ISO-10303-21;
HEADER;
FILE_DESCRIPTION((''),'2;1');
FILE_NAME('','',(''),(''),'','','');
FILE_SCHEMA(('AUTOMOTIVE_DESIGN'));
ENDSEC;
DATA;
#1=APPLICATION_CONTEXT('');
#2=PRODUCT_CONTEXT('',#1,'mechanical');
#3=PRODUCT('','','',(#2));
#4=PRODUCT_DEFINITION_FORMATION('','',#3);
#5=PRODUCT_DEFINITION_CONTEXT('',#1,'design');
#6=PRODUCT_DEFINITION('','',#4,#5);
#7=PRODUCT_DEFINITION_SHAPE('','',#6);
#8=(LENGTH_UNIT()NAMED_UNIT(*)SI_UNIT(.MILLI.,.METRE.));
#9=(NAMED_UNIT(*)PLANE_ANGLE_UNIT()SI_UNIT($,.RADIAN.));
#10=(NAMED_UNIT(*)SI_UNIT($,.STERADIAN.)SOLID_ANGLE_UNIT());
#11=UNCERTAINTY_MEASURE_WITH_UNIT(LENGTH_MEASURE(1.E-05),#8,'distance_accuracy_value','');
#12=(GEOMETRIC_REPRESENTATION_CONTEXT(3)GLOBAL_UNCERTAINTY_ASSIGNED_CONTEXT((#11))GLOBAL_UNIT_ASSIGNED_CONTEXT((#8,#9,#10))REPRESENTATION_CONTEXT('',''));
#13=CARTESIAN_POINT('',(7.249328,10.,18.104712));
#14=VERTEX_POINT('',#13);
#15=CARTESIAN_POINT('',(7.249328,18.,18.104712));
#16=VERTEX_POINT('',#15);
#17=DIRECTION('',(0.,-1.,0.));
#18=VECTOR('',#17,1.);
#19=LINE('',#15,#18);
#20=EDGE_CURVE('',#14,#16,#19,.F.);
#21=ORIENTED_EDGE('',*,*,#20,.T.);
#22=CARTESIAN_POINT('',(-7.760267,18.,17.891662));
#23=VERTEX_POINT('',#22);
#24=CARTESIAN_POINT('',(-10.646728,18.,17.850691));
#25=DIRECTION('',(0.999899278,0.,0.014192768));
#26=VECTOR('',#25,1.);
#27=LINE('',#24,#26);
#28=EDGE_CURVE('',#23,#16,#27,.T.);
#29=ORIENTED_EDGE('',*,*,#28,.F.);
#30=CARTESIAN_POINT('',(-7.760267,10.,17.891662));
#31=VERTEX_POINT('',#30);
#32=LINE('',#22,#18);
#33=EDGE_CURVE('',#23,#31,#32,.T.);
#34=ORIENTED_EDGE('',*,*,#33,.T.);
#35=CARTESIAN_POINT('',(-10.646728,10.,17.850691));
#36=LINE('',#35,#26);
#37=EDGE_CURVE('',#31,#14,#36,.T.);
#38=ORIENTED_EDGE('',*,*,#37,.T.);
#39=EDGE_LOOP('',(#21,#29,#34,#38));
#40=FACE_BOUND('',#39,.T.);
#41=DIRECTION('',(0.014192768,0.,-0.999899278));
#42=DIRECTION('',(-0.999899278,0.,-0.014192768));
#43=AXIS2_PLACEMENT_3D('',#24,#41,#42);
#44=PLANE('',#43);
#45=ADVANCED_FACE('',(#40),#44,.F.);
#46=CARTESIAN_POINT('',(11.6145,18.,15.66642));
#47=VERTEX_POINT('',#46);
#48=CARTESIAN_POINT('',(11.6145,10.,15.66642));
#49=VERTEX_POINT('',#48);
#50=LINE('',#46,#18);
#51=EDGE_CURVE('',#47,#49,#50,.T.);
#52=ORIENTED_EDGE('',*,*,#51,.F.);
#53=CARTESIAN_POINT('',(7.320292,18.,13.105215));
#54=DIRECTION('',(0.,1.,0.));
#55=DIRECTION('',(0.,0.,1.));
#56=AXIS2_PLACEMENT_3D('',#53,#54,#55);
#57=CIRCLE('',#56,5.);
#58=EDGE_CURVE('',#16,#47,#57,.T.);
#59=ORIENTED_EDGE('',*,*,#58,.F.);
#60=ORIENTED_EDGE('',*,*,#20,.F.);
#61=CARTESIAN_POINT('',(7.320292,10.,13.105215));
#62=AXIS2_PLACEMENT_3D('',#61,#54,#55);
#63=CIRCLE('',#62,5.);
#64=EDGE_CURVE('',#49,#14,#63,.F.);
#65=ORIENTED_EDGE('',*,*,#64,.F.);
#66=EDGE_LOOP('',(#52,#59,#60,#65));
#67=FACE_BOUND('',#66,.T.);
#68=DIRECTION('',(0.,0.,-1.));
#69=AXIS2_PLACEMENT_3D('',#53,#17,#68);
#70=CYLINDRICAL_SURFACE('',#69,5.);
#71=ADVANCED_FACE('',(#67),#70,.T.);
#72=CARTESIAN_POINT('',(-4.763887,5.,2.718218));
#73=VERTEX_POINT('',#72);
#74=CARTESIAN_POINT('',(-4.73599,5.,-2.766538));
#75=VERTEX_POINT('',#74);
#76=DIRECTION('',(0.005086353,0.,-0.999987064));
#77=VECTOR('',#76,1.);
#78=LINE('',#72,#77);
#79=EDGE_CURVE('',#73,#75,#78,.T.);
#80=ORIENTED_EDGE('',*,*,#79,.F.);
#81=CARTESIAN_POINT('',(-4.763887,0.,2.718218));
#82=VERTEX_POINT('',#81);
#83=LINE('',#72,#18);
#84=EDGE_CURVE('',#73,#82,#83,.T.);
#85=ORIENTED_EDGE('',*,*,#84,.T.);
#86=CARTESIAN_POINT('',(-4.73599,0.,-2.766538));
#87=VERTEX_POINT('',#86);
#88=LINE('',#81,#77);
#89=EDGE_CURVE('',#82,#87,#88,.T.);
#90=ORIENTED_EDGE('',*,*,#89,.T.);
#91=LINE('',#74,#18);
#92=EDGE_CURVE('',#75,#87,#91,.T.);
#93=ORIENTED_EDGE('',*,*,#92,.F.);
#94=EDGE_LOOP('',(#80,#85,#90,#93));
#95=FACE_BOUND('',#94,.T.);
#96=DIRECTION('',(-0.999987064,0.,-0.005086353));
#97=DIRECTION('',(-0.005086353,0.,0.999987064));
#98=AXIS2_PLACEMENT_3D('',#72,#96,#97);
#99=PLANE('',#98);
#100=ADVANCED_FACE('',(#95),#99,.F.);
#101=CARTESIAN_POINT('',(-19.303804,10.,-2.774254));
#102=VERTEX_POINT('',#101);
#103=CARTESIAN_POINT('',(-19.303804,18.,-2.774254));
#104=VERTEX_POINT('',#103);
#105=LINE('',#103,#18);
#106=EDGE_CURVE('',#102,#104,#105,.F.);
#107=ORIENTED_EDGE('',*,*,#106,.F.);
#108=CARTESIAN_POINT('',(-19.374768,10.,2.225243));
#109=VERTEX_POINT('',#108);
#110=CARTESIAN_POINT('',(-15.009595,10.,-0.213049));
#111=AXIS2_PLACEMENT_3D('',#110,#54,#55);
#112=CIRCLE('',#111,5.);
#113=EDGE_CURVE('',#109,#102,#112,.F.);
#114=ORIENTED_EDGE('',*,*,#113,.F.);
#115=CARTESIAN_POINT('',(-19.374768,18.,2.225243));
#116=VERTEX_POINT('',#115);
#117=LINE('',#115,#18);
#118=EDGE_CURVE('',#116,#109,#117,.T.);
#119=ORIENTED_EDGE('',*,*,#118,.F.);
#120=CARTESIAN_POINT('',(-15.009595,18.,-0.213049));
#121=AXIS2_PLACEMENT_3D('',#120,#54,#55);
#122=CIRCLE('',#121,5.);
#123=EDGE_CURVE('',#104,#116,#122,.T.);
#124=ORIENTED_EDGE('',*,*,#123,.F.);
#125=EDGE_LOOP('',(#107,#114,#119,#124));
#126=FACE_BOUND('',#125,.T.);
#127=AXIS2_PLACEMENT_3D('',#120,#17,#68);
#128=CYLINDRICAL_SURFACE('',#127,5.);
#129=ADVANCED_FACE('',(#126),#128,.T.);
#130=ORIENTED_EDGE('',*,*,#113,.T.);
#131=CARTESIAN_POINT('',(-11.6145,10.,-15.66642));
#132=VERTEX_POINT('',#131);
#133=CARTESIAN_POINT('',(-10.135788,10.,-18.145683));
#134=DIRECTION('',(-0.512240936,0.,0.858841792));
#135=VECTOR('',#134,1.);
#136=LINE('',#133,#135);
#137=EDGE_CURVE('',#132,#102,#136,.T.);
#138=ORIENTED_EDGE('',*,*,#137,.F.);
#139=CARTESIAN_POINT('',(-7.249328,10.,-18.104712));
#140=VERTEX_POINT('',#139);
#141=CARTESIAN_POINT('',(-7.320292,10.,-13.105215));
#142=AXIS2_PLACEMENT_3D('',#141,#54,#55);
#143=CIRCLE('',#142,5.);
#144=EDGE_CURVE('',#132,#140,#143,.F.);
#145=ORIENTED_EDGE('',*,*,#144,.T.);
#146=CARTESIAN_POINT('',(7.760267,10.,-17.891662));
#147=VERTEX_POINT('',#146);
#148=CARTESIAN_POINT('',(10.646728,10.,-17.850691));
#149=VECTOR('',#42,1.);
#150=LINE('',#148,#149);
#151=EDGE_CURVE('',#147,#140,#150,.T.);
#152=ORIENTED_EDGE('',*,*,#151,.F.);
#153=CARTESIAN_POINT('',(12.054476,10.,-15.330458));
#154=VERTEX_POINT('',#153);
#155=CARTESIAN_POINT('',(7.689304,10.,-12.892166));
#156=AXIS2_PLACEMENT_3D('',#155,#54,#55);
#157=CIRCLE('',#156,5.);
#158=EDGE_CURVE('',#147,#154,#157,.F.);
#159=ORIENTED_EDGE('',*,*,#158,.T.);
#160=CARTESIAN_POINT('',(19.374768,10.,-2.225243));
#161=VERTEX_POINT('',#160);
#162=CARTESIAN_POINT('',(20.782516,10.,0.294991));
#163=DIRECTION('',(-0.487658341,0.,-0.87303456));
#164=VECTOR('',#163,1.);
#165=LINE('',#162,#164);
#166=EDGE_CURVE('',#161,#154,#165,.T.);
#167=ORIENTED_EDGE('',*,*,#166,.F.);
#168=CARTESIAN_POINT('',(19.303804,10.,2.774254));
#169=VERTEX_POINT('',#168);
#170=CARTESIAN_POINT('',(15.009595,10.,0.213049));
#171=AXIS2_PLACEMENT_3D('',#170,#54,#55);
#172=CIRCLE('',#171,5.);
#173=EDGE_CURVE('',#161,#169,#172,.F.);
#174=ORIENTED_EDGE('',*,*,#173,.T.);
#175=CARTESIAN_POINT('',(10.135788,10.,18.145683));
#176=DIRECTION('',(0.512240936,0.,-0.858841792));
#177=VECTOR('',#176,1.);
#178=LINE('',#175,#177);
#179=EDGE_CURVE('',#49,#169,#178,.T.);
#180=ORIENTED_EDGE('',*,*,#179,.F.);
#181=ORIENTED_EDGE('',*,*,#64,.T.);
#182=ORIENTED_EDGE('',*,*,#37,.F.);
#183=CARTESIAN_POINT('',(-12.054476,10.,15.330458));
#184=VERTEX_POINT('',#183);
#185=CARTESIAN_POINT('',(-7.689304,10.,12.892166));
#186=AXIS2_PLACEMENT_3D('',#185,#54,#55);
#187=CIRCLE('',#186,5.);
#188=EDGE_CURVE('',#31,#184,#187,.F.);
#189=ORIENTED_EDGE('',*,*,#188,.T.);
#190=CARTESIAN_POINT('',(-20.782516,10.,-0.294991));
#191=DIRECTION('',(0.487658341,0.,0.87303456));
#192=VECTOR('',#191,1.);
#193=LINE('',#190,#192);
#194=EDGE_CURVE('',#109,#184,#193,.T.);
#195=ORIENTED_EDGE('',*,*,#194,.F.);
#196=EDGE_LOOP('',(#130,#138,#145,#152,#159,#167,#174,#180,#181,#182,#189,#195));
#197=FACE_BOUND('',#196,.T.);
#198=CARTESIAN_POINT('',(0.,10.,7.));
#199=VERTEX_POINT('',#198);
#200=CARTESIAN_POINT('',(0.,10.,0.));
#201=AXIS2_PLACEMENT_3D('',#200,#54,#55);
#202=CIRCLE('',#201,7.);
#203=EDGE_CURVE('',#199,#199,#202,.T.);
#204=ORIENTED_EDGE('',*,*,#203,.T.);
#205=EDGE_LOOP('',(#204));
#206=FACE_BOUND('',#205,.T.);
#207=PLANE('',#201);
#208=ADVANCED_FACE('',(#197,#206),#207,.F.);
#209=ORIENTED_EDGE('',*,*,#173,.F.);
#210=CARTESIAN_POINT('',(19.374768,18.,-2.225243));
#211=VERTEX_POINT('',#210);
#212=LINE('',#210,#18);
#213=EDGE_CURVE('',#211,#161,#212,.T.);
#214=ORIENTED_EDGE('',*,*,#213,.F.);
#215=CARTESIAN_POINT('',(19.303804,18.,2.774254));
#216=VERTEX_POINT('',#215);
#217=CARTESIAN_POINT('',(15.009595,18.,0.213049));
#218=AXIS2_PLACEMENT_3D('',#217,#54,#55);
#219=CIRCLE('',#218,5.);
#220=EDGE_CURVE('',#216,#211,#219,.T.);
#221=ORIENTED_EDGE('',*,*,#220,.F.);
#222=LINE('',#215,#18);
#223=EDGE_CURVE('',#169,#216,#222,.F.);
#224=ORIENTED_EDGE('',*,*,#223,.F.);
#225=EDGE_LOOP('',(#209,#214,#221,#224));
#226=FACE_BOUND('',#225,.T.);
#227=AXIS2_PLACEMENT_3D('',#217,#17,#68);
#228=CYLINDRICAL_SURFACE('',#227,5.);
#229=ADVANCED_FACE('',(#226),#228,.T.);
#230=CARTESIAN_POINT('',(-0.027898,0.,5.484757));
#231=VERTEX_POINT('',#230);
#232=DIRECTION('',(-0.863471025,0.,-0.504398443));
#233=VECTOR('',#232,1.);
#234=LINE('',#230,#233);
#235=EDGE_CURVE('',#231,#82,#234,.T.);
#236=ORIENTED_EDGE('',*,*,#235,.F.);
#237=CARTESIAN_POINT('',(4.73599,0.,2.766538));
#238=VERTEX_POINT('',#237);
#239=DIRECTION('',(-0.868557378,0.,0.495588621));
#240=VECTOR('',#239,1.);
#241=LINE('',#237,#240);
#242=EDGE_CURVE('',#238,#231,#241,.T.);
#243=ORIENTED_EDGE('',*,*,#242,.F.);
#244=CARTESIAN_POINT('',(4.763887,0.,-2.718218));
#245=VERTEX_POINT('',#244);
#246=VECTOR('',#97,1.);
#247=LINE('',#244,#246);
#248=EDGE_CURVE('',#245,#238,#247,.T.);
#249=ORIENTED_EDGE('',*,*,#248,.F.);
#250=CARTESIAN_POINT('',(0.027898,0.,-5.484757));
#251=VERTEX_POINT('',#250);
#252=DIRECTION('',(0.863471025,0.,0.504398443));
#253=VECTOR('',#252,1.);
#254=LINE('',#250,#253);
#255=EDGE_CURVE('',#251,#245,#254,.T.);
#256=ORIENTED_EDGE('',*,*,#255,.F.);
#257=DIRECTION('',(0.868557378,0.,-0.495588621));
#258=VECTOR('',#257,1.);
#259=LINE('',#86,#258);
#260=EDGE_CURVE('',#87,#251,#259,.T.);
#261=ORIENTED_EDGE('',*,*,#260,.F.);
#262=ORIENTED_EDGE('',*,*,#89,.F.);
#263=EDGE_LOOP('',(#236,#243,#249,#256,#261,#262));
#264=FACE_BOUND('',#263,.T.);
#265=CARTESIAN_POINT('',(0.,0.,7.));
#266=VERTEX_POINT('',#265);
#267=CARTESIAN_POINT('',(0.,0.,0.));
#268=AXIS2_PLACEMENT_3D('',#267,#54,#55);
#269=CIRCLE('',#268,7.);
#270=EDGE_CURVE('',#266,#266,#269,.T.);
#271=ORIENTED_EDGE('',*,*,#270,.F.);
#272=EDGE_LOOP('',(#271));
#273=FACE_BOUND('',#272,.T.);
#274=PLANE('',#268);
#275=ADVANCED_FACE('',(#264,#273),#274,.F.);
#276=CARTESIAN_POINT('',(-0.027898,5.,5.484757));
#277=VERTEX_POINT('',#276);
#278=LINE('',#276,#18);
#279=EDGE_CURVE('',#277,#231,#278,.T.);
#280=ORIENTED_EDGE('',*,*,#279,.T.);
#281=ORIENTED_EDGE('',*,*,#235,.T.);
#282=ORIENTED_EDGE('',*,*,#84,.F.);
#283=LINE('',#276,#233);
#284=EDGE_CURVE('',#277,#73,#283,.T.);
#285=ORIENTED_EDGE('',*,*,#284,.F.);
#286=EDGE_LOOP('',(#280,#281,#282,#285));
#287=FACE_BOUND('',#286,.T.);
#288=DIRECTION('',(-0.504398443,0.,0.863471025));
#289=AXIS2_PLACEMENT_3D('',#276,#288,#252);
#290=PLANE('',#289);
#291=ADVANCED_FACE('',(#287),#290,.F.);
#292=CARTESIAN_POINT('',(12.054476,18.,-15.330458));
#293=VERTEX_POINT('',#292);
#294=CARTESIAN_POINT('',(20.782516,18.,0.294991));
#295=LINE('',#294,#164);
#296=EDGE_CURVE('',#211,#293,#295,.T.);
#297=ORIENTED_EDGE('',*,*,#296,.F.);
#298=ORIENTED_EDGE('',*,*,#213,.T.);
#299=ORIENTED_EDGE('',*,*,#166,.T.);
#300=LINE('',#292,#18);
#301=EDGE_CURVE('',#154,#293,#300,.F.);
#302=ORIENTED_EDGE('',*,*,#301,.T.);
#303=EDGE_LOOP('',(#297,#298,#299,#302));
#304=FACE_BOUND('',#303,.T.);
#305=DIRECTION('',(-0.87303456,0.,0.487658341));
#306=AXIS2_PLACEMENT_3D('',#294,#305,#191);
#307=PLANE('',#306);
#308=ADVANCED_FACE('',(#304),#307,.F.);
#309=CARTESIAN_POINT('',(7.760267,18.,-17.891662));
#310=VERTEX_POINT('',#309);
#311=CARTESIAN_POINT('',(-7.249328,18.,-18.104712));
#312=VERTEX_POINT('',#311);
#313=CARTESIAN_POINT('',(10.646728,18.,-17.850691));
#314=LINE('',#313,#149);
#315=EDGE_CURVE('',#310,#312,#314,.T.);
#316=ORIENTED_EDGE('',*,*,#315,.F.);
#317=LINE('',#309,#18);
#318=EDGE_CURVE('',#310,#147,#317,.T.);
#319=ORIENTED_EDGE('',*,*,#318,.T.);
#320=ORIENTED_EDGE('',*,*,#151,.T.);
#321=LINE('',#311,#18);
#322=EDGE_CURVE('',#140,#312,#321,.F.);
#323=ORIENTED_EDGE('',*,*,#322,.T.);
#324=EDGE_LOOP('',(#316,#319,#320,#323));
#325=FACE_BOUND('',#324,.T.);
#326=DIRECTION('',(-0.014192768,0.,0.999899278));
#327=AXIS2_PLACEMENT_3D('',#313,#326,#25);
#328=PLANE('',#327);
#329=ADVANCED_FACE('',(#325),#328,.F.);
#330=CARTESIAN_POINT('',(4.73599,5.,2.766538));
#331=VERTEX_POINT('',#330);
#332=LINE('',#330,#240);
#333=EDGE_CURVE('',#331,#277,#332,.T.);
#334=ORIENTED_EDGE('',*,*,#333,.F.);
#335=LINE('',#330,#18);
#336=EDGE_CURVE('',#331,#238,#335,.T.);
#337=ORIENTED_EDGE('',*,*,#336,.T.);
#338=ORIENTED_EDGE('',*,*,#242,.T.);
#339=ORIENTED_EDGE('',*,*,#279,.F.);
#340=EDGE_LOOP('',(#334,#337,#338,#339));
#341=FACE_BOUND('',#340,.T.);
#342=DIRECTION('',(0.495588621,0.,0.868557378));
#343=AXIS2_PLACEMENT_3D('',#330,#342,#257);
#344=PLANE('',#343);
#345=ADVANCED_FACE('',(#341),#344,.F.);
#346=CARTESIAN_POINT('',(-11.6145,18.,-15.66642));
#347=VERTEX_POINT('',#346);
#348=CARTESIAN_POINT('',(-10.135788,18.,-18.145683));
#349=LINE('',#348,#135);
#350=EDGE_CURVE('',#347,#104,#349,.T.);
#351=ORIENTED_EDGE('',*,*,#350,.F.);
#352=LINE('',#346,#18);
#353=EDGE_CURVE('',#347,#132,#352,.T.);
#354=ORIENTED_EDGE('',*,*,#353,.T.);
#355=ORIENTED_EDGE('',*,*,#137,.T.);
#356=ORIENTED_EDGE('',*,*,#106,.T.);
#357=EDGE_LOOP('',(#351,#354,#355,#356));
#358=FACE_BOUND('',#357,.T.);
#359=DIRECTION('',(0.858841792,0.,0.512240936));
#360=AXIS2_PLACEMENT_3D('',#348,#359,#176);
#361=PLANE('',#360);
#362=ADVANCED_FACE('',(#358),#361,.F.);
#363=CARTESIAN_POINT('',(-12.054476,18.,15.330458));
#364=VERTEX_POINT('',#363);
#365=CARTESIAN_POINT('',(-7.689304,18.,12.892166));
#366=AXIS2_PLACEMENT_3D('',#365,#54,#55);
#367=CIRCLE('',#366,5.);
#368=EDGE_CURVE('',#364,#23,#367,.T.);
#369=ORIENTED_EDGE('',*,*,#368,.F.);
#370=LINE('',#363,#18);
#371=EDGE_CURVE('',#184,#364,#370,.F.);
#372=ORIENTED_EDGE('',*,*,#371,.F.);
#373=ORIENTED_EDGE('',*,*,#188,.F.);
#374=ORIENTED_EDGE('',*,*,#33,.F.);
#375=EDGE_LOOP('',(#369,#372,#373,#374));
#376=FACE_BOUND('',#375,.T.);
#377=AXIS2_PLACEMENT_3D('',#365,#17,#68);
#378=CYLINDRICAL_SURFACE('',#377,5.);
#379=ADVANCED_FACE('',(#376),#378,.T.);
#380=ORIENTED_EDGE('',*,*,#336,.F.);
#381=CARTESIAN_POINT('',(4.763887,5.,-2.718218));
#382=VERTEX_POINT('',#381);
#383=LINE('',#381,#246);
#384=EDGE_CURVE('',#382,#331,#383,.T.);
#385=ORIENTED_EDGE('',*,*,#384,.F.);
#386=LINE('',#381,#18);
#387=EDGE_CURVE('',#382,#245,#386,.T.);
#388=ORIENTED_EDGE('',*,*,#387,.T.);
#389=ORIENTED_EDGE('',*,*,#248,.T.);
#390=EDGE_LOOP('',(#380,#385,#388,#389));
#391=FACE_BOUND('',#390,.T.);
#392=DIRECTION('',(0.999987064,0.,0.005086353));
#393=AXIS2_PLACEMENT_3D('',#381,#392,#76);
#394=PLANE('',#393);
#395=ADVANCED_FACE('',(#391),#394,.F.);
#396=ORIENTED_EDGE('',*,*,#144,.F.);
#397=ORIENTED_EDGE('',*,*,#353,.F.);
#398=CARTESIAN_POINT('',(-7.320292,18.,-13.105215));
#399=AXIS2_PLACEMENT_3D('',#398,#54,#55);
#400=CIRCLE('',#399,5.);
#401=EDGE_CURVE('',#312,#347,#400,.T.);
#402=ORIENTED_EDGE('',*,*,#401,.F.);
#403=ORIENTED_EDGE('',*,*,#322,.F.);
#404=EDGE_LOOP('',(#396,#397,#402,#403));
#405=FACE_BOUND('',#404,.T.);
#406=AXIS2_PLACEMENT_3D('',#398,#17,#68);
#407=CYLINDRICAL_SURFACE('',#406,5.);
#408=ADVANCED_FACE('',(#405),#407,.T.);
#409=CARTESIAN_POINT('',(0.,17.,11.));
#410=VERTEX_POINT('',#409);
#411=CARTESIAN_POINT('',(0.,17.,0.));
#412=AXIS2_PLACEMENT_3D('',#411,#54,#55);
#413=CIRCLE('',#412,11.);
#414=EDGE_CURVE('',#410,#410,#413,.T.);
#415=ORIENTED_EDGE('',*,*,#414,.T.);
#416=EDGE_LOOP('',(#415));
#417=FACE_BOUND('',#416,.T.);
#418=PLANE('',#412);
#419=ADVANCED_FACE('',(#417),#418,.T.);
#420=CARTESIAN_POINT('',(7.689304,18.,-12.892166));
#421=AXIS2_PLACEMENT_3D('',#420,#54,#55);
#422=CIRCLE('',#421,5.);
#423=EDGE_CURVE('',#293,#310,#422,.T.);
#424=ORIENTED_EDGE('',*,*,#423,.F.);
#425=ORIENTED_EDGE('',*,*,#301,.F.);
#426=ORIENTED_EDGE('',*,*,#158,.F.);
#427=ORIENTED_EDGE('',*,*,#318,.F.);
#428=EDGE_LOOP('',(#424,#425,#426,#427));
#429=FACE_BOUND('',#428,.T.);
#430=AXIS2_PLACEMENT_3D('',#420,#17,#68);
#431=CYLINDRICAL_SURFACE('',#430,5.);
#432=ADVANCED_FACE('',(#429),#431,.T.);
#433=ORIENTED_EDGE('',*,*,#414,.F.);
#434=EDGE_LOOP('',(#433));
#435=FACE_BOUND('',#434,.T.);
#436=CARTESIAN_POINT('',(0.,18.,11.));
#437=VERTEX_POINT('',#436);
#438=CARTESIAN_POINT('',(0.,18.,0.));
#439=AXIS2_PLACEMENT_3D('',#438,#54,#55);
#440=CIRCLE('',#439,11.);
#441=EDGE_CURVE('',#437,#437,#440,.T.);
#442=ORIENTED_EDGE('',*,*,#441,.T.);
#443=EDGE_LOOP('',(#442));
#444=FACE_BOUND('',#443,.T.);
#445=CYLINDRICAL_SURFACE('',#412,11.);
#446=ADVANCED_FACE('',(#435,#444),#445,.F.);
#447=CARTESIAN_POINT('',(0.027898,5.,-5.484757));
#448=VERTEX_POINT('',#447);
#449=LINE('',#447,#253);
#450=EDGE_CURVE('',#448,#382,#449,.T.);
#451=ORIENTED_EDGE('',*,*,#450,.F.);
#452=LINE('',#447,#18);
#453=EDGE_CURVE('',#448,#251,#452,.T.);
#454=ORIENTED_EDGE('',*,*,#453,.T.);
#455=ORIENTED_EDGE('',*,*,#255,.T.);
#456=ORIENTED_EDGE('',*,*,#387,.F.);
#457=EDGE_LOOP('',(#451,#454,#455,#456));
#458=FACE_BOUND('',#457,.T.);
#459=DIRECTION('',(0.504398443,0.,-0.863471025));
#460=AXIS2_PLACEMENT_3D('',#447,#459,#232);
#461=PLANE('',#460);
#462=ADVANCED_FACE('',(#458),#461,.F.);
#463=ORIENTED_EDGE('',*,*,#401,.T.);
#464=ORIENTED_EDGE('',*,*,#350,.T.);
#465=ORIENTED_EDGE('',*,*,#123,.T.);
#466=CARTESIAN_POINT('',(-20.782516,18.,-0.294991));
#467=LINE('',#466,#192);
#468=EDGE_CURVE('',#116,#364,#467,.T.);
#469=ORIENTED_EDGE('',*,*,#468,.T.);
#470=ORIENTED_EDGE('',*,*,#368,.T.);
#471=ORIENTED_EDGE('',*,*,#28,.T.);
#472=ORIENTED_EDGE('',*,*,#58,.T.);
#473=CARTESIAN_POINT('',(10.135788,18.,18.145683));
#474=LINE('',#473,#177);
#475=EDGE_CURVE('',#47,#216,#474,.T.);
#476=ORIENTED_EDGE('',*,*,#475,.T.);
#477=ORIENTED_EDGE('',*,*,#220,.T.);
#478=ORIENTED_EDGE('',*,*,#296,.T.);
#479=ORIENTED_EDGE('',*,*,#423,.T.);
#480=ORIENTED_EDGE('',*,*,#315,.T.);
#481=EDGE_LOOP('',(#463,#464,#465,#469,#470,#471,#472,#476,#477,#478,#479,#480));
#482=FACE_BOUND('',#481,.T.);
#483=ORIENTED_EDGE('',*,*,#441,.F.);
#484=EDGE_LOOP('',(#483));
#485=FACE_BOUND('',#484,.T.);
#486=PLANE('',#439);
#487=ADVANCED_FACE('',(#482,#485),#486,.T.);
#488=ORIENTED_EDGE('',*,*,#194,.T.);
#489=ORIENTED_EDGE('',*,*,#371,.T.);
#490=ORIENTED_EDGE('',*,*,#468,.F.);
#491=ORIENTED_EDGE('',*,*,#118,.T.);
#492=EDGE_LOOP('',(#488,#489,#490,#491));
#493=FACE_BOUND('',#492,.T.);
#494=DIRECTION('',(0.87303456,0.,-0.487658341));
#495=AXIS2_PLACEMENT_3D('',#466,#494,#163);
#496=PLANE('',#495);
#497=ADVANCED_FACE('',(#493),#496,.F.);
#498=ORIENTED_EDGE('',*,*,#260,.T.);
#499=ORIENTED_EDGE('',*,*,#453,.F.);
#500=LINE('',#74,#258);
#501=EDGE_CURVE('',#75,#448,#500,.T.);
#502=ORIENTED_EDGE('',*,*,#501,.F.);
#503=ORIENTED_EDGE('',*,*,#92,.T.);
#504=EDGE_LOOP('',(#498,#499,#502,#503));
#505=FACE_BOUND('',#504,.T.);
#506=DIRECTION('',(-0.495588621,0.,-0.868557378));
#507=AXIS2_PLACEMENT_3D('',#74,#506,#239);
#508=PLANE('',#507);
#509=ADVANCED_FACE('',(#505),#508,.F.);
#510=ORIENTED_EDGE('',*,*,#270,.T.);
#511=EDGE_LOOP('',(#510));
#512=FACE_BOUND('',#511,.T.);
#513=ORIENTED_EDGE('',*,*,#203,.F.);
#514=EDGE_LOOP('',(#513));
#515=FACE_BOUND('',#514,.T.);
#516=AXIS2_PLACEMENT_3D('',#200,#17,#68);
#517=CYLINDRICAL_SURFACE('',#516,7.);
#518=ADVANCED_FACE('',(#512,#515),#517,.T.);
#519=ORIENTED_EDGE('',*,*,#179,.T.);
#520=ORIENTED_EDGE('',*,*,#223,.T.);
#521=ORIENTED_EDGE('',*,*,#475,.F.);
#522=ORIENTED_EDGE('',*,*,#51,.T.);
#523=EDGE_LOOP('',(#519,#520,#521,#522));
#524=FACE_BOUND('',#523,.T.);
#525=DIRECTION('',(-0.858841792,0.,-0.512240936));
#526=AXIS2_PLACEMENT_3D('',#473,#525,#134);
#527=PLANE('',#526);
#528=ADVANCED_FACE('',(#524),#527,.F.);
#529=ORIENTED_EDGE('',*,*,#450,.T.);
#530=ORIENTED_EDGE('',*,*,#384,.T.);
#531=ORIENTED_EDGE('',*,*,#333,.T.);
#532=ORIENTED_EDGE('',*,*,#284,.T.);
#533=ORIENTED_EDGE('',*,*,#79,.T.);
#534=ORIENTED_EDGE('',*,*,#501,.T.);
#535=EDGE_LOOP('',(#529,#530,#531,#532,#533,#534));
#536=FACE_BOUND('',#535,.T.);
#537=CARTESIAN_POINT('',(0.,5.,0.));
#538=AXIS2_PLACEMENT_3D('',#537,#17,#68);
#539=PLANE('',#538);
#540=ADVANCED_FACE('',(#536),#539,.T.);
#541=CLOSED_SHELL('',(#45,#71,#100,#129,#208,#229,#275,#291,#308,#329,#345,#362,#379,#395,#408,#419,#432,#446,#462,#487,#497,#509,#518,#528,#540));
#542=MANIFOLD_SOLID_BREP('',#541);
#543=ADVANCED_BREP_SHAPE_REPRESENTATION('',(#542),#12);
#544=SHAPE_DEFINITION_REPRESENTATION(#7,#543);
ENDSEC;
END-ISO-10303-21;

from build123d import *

# Parameters (mm, degrees)
SKETCH1_R           = 7
BOSS_EXTRUDE1_DEPTH = 10
CUT_EXTRUDE1_DEPTH  = 5
BOSS_EXTRUDE2_DEPTH = 8
FILLET1_R           = 5
SKETCH4_R           = 11
CUT_EXTRUDE2_DEPTH  = 1


with BuildPart() as part:
    # Sketch1 → Boss-Extrude1 (new body)
    with BuildSketch(Plane(origin=(0, 0, 0), x_dir=(1, 0, 0), z_dir=(0, 1, 0))):
        with Locations(Location((0, 0, 0), (0, 0, 270))):
            Circle(SKETCH1_R)
    extrude(amount=BOSS_EXTRUDE1_DEPTH)

    # Sketch2 → Cut-Extrude1 (cut)
    with BuildSketch(Plane.XZ):
        Polygon((4.76388744, -2.718218128), (4.735989672, 2.76653848), (-0.027897769, 5.484756608), (-4.76388744, 2.718218128), (-4.735989672, -2.76653848), (0.027897769, -5.484756608), align=None)
    extrude(amount=-CUT_EXTRUDE1_DEPTH, mode=Mode.SUBTRACT)

    # Sketch3 → Boss-Extrude2 (add)
    with BuildSketch(Plane(origin=(0, 10, 0), x_dir=(1, 0, 0), z_dir=(0, 1, 0))):
        Polygon((20.782516215, -0.294991143), (10.646727931, 17.850691425), (-10.135788284, 18.145682568), (-20.782516215, 0.294991143), (-10.646727931, -17.850691425), (10.135788284, -18.145682568), align=None)
    extrude(amount=BOSS_EXTRUDE2_DEPTH)

    # Fillet1
    fillet1_edges = [part.edges().sort_by_distance(p)[0] for p in [
        (10.135788284, 14, 18.145682568),
        (20.782516215, 14, 0.294991143),
        (10.646727931, 14, -17.850691425),
        (-10.135788284, 14, -18.145682568),
        (-20.782516215, 14, -0.294991143),
        (-10.646727931, 14, 17.850691425),
    ]]
    fillet(fillet1_edges, radius=FILLET1_R)

    # Sketch4 → Cut-Extrude2 (cut)
    with BuildSketch(Plane(origin=(0, 18, 0), x_dir=(1, 0, 0), z_dir=(0, 1, 0))):
        with Locations(Location((0, 0, 0), (0, 0, 270))):
            Circle(SKETCH4_R)
    extrude(amount=-CUT_EXTRUDE2_DEPTH, mode=Mode.SUBTRACT)


solid = part.part
